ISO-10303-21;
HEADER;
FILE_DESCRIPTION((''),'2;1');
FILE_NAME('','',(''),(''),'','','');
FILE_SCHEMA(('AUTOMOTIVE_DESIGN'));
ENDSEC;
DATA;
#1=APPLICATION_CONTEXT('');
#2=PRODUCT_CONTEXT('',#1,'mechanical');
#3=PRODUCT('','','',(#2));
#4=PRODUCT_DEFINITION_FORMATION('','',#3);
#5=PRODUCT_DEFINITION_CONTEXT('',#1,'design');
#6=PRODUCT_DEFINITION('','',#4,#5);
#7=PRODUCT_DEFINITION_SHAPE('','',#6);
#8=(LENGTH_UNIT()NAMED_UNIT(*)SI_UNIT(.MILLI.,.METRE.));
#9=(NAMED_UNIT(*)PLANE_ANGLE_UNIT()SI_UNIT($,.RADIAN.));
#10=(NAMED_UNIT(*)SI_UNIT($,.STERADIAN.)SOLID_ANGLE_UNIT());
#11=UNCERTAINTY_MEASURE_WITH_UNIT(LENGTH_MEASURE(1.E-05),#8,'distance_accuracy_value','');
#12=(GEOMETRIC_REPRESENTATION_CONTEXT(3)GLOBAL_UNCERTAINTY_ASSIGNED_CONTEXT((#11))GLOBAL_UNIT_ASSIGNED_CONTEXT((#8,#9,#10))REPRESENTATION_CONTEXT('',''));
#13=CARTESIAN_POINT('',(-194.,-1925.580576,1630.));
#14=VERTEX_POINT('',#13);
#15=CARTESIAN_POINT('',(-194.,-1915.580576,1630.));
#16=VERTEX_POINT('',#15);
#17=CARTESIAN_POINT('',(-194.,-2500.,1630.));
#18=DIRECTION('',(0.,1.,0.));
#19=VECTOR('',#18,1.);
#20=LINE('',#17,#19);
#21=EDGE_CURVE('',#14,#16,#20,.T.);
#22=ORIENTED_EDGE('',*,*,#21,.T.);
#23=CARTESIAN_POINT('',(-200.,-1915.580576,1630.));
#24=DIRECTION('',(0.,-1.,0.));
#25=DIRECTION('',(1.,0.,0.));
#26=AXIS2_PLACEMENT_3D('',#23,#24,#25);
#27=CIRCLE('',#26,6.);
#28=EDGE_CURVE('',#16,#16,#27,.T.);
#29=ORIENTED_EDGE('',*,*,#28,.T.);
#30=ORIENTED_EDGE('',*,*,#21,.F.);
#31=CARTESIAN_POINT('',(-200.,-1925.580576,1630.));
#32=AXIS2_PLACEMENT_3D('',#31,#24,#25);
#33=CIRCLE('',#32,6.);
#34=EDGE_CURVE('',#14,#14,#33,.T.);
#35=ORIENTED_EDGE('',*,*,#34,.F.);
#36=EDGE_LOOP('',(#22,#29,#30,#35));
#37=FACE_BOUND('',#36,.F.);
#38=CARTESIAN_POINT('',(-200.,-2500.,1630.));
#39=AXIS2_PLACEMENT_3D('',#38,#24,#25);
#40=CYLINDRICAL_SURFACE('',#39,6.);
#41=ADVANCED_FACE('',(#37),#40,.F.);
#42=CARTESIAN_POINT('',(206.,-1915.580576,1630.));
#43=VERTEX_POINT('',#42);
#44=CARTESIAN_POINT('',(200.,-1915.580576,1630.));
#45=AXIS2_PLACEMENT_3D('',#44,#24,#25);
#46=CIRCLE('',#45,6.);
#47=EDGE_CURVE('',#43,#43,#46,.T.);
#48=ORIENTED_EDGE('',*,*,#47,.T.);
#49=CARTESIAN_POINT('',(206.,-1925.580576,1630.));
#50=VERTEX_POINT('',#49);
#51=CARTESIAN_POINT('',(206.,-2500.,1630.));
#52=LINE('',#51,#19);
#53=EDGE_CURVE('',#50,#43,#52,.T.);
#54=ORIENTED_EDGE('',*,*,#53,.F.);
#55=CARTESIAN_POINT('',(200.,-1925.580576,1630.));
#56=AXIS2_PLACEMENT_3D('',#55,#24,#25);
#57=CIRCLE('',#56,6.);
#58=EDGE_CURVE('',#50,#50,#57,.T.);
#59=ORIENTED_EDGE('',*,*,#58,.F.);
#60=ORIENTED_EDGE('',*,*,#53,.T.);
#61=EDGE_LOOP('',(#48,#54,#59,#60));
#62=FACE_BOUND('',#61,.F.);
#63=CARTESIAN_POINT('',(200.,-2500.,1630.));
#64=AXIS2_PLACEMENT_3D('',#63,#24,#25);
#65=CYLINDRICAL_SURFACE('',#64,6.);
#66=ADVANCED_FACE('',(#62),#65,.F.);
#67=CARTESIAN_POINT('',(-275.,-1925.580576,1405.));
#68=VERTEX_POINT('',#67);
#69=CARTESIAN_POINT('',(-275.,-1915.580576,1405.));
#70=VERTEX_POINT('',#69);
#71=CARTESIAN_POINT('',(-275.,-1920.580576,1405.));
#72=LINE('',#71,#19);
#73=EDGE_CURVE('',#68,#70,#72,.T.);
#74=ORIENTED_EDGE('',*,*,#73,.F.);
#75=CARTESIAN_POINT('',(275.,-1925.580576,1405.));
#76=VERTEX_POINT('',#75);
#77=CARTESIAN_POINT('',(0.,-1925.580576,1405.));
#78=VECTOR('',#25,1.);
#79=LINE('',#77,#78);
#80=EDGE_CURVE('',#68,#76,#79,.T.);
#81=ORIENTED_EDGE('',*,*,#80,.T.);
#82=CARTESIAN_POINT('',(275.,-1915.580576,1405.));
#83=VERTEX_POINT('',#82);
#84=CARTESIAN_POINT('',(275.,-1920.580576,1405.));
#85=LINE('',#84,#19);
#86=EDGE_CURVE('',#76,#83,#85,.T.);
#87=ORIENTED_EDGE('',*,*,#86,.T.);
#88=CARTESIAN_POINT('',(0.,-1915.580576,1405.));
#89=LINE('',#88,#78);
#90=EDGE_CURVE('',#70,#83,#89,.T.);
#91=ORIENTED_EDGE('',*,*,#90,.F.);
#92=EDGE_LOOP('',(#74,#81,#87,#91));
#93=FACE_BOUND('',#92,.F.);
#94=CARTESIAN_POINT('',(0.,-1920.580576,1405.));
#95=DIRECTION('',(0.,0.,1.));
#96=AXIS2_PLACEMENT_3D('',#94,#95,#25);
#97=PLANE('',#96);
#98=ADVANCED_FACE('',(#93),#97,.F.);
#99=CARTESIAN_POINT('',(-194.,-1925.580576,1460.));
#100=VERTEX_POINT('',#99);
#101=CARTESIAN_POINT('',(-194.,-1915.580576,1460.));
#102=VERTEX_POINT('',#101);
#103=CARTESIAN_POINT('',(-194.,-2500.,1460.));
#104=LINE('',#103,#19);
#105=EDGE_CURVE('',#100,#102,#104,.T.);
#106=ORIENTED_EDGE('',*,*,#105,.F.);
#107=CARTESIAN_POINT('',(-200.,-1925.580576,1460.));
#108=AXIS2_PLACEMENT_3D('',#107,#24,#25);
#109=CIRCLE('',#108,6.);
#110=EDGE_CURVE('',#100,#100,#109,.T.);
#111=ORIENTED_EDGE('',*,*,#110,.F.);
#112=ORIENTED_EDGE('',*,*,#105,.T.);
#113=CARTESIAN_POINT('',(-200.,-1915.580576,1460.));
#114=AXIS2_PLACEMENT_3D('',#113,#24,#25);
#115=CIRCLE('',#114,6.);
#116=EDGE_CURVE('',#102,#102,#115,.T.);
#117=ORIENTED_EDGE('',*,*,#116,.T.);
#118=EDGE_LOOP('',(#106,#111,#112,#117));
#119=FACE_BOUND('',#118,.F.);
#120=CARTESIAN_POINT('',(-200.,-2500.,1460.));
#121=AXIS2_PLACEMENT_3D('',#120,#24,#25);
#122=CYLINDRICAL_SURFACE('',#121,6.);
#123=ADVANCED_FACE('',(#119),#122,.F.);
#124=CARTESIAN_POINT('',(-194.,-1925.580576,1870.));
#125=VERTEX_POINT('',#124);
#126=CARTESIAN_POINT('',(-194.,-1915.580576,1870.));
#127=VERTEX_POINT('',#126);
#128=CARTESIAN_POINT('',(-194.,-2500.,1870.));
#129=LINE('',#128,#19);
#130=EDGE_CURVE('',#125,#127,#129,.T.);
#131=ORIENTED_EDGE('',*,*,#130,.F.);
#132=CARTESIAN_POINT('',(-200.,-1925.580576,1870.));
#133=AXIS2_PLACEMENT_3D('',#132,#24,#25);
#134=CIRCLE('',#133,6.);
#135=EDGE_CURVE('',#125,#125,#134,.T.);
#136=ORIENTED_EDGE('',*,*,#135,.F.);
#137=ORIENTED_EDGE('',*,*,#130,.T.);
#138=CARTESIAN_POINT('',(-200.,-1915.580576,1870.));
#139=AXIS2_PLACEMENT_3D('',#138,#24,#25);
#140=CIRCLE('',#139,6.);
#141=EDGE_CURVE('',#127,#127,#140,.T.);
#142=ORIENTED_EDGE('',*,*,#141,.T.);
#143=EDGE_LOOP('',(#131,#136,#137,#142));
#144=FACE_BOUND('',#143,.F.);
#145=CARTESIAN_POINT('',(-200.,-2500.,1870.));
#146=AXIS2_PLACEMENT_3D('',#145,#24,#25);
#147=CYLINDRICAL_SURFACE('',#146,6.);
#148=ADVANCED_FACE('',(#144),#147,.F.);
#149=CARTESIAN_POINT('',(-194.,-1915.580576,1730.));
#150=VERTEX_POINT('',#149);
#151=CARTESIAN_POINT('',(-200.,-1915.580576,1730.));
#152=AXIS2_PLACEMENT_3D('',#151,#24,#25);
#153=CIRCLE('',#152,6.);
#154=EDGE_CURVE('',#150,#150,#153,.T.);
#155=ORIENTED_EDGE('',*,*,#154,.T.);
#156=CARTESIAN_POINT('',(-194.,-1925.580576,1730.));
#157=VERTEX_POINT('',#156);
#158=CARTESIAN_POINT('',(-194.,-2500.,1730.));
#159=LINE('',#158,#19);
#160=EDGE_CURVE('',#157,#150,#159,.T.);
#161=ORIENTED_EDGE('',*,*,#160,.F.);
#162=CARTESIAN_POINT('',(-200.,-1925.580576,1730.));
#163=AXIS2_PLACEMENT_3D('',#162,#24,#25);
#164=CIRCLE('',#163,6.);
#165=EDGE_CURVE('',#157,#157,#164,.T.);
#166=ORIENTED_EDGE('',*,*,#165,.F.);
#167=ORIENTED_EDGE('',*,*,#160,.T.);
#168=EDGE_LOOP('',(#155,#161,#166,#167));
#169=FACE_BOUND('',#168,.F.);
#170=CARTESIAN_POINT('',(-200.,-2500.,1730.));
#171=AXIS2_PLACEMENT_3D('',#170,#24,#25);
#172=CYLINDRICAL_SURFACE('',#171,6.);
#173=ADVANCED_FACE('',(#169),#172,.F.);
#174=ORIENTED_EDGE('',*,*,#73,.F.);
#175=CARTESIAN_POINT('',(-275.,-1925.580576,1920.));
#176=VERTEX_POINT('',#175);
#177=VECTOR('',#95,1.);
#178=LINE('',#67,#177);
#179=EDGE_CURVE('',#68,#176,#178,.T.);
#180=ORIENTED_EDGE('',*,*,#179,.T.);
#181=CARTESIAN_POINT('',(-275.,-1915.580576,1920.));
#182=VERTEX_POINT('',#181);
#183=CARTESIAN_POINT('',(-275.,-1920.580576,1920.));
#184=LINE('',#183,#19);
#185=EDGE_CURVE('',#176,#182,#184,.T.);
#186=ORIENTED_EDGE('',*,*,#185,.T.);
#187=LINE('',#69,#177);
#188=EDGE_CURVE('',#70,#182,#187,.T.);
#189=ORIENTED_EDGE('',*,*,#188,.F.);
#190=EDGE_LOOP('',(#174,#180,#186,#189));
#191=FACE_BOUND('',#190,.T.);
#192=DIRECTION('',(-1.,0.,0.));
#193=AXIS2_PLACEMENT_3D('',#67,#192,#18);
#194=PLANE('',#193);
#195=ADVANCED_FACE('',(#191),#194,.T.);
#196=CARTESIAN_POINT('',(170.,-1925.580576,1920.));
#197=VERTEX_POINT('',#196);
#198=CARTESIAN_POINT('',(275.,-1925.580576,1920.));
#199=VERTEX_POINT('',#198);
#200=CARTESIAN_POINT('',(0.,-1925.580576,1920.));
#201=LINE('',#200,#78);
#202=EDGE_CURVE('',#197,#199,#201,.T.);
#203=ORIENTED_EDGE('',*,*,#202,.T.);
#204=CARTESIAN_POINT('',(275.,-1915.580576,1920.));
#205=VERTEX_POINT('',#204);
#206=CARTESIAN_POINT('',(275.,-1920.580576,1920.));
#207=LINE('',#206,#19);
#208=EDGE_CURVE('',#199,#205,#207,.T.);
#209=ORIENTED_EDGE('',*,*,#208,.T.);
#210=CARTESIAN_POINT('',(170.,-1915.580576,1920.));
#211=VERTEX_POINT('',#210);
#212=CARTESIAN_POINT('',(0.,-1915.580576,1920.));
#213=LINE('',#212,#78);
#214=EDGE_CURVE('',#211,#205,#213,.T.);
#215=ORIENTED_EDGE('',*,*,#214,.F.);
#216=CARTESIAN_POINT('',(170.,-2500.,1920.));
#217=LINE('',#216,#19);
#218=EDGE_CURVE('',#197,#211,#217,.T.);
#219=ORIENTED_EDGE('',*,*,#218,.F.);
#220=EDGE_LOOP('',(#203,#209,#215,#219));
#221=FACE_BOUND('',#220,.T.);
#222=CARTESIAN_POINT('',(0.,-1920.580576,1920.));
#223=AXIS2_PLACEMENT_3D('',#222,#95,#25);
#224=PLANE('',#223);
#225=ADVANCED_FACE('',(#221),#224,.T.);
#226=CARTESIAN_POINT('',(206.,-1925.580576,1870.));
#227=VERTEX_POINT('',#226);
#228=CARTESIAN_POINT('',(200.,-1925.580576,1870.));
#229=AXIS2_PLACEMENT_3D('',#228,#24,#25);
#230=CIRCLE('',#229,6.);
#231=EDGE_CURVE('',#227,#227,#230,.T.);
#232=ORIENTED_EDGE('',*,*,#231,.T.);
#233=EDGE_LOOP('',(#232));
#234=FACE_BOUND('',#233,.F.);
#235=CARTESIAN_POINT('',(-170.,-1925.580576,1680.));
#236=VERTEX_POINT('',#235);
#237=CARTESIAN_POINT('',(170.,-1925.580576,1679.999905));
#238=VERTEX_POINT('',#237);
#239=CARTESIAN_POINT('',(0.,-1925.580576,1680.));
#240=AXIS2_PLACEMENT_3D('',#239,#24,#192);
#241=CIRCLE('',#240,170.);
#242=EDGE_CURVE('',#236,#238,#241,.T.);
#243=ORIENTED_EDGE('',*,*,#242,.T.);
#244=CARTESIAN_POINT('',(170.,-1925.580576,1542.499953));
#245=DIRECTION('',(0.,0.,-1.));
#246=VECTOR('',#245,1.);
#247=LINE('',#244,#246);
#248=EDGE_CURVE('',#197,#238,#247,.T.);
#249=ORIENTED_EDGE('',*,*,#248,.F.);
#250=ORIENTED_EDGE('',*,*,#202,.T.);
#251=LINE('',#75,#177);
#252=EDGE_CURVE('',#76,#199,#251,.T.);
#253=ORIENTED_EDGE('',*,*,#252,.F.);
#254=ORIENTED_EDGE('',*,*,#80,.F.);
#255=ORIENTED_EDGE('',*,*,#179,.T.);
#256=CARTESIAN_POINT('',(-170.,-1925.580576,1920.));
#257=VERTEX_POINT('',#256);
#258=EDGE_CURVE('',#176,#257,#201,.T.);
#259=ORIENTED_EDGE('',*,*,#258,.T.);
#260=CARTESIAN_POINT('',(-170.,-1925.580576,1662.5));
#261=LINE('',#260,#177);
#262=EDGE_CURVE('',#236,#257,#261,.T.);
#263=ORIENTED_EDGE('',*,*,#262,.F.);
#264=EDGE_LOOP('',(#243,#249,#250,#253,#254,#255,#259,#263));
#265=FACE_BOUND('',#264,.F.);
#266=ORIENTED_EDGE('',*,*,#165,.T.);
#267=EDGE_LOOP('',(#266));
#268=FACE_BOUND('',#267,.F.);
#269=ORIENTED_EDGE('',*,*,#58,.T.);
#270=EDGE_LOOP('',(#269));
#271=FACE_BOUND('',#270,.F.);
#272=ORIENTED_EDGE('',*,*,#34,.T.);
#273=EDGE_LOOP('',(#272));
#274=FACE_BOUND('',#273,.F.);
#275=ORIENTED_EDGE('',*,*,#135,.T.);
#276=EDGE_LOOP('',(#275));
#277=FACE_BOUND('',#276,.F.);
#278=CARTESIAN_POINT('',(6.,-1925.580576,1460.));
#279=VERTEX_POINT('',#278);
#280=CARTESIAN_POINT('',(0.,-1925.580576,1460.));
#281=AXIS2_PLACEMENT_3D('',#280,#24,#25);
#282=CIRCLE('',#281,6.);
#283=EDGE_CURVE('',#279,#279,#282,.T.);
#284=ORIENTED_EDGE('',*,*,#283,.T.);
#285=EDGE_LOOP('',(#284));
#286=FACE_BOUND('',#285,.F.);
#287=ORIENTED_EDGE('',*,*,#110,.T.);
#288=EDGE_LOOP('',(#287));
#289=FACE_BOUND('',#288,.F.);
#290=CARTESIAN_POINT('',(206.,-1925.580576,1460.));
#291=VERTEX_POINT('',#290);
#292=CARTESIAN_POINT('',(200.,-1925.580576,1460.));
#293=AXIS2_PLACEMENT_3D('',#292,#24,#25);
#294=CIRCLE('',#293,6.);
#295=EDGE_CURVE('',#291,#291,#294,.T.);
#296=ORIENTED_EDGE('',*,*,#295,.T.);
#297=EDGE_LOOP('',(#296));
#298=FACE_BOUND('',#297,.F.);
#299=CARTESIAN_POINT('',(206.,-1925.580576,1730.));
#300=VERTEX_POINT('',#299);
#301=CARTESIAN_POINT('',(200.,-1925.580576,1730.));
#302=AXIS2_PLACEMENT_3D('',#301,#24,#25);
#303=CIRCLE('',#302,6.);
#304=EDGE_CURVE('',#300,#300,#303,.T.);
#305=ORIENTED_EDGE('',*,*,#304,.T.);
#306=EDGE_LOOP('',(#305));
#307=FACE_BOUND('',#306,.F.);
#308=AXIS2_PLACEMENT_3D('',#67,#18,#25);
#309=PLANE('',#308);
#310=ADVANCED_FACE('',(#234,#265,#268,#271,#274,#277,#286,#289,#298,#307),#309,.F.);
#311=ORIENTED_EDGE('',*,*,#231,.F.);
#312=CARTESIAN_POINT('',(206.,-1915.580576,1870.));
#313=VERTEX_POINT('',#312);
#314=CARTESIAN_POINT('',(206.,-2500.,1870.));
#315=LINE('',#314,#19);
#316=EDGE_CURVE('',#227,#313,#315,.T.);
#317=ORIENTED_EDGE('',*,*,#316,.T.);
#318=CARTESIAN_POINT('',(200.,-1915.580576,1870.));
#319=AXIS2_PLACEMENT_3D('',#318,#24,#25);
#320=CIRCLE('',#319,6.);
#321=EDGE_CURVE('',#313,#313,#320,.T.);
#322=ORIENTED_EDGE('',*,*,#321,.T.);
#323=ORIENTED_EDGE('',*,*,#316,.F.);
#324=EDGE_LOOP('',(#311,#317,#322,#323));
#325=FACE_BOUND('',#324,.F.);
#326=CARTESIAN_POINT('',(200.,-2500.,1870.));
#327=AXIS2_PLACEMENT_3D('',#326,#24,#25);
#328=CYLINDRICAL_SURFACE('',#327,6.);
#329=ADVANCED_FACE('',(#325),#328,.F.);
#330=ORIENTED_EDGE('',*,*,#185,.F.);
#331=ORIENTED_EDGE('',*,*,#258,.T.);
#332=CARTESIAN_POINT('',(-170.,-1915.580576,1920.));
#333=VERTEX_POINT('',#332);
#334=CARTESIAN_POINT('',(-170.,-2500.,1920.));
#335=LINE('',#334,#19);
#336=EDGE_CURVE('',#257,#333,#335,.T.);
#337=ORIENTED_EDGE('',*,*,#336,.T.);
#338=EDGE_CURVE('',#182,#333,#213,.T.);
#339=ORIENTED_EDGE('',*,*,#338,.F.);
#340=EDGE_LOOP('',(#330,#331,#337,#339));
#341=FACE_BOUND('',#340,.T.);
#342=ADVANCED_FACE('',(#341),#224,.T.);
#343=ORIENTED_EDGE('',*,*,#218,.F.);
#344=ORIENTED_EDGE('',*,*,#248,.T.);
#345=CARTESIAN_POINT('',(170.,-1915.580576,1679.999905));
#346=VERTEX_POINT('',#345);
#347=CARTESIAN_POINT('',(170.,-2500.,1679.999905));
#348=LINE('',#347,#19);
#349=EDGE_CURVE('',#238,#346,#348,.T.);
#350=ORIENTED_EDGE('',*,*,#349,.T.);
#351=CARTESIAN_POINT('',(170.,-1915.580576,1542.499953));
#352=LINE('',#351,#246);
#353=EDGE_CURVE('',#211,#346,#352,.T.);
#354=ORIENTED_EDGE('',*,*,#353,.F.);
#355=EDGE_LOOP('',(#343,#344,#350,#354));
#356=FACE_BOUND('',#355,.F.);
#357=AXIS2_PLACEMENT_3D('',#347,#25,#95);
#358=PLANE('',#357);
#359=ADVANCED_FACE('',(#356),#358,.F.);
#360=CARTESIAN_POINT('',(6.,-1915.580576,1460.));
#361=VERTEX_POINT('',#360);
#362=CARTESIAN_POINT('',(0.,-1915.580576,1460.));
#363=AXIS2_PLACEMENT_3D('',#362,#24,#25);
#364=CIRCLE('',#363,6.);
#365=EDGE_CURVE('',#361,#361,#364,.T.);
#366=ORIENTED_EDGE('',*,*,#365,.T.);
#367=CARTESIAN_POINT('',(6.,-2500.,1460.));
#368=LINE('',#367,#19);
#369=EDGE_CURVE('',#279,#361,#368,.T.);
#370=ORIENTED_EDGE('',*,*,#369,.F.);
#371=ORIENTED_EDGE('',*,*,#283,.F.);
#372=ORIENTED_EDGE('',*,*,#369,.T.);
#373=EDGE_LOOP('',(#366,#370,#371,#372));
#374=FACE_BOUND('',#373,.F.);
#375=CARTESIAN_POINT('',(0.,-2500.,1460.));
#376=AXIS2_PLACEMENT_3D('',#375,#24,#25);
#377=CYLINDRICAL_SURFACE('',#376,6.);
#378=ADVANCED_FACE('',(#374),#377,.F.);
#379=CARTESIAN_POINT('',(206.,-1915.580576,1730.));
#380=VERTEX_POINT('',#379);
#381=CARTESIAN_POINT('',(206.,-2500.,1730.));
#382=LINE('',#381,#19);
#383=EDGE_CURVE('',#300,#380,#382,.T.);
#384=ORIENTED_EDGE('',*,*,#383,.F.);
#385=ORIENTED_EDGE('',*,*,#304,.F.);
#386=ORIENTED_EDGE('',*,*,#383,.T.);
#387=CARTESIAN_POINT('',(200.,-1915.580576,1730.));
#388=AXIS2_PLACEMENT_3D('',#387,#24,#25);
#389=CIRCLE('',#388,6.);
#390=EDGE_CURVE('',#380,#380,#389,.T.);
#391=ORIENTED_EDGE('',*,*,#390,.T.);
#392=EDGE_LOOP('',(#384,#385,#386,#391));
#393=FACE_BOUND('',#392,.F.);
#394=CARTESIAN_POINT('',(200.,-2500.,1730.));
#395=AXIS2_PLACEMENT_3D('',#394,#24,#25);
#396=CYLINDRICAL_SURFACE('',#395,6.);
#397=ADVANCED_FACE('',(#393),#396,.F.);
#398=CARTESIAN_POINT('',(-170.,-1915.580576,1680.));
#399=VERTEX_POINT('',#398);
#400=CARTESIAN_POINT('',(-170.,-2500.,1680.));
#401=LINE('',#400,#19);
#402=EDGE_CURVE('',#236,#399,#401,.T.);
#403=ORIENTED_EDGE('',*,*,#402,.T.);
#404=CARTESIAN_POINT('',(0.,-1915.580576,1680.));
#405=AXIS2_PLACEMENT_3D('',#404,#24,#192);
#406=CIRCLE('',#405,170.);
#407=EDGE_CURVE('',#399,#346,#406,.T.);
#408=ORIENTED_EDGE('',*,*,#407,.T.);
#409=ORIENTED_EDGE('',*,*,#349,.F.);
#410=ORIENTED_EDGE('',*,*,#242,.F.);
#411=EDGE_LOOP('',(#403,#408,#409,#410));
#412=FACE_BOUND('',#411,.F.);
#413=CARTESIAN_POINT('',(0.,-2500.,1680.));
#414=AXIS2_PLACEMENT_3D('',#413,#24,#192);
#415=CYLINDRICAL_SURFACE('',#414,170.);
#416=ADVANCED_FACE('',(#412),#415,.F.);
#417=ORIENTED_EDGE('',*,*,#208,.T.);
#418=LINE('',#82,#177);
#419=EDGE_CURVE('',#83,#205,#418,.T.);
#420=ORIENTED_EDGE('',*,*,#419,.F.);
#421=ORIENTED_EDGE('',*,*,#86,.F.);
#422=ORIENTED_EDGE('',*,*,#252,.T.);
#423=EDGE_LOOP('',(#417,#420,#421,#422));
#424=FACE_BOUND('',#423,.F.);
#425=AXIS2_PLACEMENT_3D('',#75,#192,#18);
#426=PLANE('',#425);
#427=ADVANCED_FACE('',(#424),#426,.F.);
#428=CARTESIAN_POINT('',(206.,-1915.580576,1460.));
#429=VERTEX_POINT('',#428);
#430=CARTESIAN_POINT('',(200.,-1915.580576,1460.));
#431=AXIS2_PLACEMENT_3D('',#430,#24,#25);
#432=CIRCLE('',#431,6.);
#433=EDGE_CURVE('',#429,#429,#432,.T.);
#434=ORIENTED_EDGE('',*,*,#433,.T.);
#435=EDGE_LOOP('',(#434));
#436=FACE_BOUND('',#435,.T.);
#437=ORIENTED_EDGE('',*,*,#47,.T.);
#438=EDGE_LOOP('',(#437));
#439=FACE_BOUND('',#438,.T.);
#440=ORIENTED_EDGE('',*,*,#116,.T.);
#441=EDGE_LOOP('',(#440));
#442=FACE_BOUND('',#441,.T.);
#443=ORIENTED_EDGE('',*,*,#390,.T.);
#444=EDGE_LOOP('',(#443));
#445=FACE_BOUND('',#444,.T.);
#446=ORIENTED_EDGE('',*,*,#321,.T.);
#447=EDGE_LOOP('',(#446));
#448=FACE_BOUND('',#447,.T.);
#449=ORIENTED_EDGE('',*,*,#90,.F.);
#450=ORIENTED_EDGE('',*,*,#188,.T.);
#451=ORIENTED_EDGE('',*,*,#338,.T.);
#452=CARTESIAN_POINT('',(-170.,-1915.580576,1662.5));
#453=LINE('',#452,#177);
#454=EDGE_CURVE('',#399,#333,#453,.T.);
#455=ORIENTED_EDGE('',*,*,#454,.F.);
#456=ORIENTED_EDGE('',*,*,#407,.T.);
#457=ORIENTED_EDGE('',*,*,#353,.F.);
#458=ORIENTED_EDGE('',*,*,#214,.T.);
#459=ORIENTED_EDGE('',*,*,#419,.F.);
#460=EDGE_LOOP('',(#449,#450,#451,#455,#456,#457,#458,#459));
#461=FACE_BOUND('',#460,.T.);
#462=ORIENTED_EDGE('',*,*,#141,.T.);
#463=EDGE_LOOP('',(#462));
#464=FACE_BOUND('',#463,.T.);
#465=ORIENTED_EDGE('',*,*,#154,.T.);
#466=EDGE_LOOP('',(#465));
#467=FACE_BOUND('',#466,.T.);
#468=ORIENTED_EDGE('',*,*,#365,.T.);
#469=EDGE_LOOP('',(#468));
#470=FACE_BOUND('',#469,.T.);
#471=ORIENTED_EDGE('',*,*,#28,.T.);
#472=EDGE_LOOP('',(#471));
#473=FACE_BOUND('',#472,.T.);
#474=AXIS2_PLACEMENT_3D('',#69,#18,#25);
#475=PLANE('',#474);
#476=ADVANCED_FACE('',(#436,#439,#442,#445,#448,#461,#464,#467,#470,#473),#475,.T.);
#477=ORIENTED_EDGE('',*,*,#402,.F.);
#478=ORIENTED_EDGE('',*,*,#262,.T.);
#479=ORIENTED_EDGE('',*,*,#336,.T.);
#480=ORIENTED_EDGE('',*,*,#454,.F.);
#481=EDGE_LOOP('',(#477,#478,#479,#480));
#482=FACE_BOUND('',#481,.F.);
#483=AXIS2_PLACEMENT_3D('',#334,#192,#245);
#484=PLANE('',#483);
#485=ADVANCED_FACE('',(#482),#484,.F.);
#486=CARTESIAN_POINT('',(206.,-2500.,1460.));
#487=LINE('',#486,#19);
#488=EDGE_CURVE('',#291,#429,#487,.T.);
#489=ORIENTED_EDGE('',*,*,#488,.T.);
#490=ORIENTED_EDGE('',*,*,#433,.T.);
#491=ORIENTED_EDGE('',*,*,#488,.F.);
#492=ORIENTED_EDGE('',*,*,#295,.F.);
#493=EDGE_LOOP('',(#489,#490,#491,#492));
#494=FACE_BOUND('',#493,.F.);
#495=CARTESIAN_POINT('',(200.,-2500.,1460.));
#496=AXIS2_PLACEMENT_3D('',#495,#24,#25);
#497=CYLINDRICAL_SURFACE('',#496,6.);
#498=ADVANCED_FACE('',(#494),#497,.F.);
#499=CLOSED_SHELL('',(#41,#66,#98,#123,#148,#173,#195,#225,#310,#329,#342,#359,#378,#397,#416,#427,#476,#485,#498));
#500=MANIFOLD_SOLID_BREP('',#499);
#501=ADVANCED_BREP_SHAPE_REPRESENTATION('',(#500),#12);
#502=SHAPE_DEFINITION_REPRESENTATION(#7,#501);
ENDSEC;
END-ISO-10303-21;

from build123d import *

# Parameters (mm, degrees)
SKETCH005_R      = 6
EXTRUDE004_DEPTH = 1000
EXTRUDE003_DEPTH = 1000
SKETCH003_W      = 550
SKETCH003_H      = 10
EXTRUDE002_DEPTH = 515


with BuildPart() as extrude004:
    # Sketch005 → Extrude004 (new body)
    with BuildSketch(Plane.XZ.offset(2500)):
        with Locations((-200, 1730)):
            Circle(SKETCH005_R)
        with Locations((-200, 1870)):
            Circle(SKETCH005_R)
        with Locations((200, 1870)):
            Circle(SKETCH005_R)
        with Locations((200, 1730)):
            Circle(SKETCH005_R)
        with Locations((-200, 1630)):
            Circle(SKETCH005_R)
        with Locations((-200, 1460)):
            Circle(SKETCH005_R)
        with Locations((200, 1630)):
            Circle(SKETCH005_R)
        with Locations((200, 1460)):
            Circle(SKETCH005_R)
        with Locations((0, 1460)):
            Circle(SKETCH005_R)
    extrude(amount=-EXTRUDE004_DEPTH)


with BuildPart() as extrude003:
    # Sketch004 → Extrude003 (new body)
    with BuildSketch(Plane.XZ.offset(2500)):
        with BuildLine():
            Line((-170, 1920), (-170, 1680))
            ThreePointArc((-170, 1680), (-4.8e-05, 1510), (170, 1679.999905))
            Line((170, 1679.999905), (170, 1920))
            Line((170, 1920), (-170, 1920))
        make_face()
    extrude(amount=-EXTRUDE003_DEPTH)


with BuildPart() as cut002:
    # Sketch003 → Extrude002 (new body)
    with BuildSketch(Plane.XY.offset(1405)):
        with Locations((0, -1920.580576)):
            Rectangle(SKETCH003_W, SKETCH003_H)
    extrude(amount=EXTRUDE002_DEPTH)

    # Cut001: cut Extrude003
    add(extrude003.part, mode=Mode.SUBTRACT)

    # Cut002: cut Extrude004
    add(extrude004.part, mode=Mode.SUBTRACT)


solid = cut002.part
